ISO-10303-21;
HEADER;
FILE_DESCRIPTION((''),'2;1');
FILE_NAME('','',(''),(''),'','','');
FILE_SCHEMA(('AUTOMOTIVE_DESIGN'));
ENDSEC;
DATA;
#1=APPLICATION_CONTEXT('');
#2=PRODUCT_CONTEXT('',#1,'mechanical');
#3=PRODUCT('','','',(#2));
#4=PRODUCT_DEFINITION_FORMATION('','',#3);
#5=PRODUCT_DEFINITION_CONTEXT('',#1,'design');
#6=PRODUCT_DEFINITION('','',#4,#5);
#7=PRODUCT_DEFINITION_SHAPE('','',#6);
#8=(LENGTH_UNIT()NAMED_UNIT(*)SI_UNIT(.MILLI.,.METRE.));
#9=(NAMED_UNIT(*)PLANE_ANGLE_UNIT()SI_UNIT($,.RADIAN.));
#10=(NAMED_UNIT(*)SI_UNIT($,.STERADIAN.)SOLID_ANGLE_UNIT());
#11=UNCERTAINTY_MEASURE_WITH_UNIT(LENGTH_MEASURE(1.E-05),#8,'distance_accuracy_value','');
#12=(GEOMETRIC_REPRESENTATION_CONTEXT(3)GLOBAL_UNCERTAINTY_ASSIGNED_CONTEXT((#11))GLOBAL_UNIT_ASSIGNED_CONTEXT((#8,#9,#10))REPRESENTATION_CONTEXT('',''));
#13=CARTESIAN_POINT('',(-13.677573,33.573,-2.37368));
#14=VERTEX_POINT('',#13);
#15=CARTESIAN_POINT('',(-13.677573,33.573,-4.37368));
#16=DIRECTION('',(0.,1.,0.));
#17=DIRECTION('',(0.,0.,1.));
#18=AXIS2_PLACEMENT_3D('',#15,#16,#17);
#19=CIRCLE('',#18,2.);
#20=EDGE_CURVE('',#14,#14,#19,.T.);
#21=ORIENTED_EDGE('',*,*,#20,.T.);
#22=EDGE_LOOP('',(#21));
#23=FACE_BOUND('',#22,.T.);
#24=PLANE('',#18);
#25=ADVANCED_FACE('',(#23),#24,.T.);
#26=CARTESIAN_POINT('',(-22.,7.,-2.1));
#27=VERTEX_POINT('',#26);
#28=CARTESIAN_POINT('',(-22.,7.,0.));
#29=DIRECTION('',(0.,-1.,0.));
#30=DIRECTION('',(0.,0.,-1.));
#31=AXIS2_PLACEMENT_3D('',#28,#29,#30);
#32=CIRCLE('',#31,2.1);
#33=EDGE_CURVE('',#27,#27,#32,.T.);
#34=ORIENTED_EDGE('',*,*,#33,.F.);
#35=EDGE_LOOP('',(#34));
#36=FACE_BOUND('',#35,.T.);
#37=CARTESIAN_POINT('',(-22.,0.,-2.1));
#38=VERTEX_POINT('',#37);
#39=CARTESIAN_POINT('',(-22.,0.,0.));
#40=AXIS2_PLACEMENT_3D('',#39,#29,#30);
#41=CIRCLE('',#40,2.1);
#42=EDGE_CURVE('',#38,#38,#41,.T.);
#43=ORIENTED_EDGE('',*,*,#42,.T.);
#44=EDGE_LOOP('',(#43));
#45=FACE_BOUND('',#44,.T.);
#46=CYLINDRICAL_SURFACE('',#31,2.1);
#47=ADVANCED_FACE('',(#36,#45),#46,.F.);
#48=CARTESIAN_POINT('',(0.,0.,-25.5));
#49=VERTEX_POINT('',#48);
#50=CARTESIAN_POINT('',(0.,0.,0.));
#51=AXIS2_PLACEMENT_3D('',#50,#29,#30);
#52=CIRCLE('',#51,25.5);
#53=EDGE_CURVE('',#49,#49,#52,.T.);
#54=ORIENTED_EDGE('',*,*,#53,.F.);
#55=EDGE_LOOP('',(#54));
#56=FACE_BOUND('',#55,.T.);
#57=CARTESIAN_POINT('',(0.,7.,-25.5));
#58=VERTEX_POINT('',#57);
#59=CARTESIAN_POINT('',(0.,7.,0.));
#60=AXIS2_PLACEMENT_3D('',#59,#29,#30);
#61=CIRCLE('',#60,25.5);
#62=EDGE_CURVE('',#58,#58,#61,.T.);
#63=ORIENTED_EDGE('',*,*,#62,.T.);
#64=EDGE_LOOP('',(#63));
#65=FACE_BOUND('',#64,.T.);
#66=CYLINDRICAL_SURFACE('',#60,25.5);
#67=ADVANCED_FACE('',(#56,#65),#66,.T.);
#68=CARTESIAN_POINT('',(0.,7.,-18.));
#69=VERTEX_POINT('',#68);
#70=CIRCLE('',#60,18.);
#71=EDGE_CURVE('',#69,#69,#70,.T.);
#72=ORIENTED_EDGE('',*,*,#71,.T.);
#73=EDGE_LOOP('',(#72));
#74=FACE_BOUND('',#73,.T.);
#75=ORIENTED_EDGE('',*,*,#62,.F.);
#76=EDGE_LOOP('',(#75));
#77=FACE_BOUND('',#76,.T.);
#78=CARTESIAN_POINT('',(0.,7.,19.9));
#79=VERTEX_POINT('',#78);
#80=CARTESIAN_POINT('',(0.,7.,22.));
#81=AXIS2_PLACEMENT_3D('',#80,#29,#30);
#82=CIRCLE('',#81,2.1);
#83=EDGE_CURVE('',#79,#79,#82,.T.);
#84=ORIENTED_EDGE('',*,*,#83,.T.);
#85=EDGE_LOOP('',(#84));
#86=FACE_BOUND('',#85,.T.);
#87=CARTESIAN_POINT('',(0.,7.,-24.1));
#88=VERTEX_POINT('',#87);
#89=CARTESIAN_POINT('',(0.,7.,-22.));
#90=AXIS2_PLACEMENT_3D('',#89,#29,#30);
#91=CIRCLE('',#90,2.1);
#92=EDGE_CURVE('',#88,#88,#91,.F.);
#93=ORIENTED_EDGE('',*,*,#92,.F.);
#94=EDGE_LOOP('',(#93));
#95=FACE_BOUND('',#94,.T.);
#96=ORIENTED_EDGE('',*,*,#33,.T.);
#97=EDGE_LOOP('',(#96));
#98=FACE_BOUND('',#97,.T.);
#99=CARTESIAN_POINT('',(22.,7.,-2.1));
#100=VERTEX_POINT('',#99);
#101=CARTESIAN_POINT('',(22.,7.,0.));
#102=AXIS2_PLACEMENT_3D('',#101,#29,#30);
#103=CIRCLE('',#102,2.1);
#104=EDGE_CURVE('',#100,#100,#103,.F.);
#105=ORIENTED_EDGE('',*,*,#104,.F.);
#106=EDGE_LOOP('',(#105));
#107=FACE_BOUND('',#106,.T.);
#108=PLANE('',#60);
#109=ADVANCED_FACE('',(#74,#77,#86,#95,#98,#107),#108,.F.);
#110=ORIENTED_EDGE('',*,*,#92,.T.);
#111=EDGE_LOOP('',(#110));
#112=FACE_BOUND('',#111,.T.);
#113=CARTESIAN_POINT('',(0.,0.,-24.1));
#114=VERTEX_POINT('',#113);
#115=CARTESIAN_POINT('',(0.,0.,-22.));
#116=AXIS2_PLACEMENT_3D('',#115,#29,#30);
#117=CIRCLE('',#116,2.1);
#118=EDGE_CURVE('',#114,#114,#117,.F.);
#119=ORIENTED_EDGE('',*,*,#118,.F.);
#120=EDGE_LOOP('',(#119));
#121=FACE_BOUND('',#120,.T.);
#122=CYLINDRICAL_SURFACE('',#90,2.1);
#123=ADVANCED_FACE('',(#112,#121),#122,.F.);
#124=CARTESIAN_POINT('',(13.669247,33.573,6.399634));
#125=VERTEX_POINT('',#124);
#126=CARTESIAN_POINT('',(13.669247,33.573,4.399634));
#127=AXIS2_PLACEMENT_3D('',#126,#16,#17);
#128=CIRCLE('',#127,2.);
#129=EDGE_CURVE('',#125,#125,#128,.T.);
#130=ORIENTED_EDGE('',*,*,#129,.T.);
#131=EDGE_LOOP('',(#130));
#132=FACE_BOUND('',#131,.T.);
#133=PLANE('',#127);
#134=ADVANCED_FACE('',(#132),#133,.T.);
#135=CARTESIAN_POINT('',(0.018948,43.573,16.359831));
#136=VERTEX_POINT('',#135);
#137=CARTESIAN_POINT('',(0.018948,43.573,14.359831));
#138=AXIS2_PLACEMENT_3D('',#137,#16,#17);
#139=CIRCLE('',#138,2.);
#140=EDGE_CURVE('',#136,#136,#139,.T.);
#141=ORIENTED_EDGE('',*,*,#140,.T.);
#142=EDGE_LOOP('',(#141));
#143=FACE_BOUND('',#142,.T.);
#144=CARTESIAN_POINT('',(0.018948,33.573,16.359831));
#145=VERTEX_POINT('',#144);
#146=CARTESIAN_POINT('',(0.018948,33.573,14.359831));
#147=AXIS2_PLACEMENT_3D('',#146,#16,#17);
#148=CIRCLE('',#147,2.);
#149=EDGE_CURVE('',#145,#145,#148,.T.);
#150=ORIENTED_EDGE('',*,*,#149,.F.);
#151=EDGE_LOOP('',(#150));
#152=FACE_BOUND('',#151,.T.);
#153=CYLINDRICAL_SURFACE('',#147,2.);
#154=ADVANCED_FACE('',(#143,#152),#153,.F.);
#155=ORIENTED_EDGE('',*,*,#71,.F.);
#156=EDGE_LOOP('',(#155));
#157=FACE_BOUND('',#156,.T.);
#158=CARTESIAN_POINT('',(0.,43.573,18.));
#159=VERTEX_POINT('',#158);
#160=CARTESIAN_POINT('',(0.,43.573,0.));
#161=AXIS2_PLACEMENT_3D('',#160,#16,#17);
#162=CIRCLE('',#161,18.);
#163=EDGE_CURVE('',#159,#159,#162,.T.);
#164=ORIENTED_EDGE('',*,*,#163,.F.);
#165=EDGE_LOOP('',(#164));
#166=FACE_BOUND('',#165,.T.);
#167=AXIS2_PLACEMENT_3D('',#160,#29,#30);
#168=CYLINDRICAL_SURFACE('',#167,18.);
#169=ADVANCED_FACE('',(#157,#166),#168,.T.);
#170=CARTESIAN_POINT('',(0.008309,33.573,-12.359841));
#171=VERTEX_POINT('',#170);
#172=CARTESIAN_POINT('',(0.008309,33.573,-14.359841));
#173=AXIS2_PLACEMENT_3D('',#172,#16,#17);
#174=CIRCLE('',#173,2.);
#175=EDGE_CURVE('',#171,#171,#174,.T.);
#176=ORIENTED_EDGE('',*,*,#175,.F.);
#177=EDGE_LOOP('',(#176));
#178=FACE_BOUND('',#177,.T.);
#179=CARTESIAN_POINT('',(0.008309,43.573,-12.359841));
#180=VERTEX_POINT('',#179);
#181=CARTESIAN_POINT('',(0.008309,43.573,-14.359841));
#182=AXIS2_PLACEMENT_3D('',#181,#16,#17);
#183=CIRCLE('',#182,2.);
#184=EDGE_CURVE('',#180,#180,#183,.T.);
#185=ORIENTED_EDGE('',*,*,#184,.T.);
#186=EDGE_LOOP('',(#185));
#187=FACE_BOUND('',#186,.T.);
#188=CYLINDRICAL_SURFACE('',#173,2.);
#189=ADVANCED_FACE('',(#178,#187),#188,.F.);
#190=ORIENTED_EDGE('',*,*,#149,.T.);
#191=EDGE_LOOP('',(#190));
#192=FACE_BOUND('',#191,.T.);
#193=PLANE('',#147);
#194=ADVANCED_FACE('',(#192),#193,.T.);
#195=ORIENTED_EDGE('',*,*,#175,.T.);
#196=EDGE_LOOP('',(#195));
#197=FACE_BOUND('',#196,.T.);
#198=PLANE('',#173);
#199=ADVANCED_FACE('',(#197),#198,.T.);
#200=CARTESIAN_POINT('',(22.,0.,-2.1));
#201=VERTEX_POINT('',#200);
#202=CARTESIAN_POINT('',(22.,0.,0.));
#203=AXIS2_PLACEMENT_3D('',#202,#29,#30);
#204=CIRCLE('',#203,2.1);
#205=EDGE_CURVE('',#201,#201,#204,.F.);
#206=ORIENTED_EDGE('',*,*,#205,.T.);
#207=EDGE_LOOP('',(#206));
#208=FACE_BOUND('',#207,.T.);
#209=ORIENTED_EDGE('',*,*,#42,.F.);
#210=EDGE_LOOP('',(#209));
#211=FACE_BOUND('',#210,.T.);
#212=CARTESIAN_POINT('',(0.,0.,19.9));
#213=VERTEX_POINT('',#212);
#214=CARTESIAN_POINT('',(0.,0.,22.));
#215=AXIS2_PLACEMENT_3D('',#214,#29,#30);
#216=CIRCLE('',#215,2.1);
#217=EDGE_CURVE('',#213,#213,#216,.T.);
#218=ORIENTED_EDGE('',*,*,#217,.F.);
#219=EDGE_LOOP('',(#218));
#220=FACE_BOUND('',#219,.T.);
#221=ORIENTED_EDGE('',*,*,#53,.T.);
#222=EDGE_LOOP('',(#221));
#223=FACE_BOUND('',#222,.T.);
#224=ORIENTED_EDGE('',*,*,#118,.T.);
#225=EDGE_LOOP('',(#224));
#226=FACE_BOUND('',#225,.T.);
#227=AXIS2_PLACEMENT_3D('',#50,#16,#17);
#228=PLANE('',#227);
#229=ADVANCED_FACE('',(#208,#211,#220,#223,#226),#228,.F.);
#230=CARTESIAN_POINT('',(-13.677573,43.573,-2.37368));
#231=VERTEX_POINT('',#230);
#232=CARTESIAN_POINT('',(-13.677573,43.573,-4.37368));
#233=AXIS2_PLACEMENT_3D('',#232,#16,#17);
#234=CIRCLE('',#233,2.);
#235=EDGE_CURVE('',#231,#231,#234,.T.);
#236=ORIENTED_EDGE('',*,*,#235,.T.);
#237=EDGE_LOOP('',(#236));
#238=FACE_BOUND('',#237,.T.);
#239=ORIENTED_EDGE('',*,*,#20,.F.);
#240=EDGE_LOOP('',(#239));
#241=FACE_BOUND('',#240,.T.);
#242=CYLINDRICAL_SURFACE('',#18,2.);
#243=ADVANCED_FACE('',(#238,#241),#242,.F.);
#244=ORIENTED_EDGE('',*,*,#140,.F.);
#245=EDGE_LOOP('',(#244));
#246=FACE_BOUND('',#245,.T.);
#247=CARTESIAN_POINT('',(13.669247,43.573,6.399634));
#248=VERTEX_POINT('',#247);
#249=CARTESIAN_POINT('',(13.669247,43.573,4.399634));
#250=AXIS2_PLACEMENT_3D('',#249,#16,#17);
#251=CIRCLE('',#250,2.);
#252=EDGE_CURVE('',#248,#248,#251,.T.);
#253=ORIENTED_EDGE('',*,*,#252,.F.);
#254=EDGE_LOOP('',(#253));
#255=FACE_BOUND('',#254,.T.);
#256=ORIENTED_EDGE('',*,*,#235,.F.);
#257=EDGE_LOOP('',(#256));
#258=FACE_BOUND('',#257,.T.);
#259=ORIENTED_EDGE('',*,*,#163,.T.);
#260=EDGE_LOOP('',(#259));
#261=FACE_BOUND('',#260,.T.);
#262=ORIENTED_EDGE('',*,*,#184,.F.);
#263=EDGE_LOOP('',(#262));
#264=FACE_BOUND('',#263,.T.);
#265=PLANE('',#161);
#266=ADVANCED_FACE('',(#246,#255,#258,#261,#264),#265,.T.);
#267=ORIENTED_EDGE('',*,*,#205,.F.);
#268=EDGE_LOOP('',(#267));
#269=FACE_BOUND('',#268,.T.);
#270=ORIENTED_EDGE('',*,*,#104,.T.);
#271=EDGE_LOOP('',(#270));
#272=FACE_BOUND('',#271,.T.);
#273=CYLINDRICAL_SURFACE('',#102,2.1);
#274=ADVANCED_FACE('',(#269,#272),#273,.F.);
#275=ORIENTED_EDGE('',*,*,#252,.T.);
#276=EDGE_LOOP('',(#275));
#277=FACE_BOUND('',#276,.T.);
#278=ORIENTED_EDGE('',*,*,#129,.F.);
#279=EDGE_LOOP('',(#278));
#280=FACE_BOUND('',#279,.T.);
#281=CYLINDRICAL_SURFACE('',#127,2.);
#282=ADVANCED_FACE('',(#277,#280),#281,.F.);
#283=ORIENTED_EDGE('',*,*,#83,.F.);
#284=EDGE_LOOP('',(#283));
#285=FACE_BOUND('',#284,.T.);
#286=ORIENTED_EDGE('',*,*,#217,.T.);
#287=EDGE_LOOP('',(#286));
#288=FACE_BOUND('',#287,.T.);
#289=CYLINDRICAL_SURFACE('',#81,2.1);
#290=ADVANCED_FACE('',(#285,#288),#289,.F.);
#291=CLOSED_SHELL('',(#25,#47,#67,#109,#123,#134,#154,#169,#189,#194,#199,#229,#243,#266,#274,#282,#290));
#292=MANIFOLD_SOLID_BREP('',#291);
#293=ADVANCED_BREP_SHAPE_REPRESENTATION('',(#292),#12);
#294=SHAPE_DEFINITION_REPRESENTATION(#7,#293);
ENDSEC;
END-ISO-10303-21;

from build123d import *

# Parameters (mm, degrees)
SKETCH_1_R          = 18
EXTRUDE_1_DEPTH     = 43.573
SKETCH_3_R          = 25.5
SKETCH_3_R_2        = 2.1
EXTRUDE_2_DEPTH     = 7
SKETCH_2_R          = 2
CUT_EXTRUDE_1_DEPTH = 10


with BuildPart() as part:
    # Эскиз1 → Бобышка-Вытянуть1 (new body)
    with BuildSketch(Plane(origin=(0, 0, 0), x_dir=(1, 0, 0), z_dir=(0, 1, 0))):
        with Locations(Location((0, 0, 0), (0, 0, 270))):
            Circle(SKETCH_1_R)
    extrude(amount=EXTRUDE_1_DEPTH)

    # Эскиз3 → Бобышка-Вытянуть2 (add)
    with BuildSketch(Plane.XZ):
        with Locations(Location((0, 0, 0), (0, 0, 270))):
            Circle(SKETCH_3_R)
        with Locations(Location((0, 22, 0), (0, 0, 270))):
            Circle(SKETCH_3_R_2, mode=Mode.SUBTRACT)
        with Locations(Location((-22, 0, 0), (0, 0, 270))):
            Circle(SKETCH_3_R_2, mode=Mode.SUBTRACT)
        with Locations(Location((0, -22, 0), (0, 0, 270))):
            Circle(SKETCH_3_R_2, mode=Mode.SUBTRACT)
        with Locations(Location((22, 0, 0), (0, 0, 270))):
            Circle(SKETCH_3_R_2, mode=Mode.SUBTRACT)
    extrude(amount=-EXTRUDE_2_DEPTH)

    # Эскиз2 → Вырез-Вытянуть1 (cut)
    with BuildSketch(Plane(origin=(0, 43.573, 0), x_dir=(1, 0, 0), z_dir=(0, 1, 0))):
        with Locations(Location((0.008308586, 14.359840693, 0), (0, 0, 270))):
            Circle(SKETCH_2_R)
        with Locations(Location((13.669247008, -4.399634075, 0), (0, 0, 270))):
            Circle(SKETCH_2_R)
        with Locations(Location((0.018947935, -14.359830595, 0), (0, 0, 270))):
            Circle(SKETCH_2_R)
        with Locations(Location((-13.677573358, 4.373680464, 0), (0, 0, 270))):
            Circle(SKETCH_2_R)
    extrude(amount=-CUT_EXTRUDE_1_DEPTH, mode=Mode.SUBTRACT)


solid = part.part
